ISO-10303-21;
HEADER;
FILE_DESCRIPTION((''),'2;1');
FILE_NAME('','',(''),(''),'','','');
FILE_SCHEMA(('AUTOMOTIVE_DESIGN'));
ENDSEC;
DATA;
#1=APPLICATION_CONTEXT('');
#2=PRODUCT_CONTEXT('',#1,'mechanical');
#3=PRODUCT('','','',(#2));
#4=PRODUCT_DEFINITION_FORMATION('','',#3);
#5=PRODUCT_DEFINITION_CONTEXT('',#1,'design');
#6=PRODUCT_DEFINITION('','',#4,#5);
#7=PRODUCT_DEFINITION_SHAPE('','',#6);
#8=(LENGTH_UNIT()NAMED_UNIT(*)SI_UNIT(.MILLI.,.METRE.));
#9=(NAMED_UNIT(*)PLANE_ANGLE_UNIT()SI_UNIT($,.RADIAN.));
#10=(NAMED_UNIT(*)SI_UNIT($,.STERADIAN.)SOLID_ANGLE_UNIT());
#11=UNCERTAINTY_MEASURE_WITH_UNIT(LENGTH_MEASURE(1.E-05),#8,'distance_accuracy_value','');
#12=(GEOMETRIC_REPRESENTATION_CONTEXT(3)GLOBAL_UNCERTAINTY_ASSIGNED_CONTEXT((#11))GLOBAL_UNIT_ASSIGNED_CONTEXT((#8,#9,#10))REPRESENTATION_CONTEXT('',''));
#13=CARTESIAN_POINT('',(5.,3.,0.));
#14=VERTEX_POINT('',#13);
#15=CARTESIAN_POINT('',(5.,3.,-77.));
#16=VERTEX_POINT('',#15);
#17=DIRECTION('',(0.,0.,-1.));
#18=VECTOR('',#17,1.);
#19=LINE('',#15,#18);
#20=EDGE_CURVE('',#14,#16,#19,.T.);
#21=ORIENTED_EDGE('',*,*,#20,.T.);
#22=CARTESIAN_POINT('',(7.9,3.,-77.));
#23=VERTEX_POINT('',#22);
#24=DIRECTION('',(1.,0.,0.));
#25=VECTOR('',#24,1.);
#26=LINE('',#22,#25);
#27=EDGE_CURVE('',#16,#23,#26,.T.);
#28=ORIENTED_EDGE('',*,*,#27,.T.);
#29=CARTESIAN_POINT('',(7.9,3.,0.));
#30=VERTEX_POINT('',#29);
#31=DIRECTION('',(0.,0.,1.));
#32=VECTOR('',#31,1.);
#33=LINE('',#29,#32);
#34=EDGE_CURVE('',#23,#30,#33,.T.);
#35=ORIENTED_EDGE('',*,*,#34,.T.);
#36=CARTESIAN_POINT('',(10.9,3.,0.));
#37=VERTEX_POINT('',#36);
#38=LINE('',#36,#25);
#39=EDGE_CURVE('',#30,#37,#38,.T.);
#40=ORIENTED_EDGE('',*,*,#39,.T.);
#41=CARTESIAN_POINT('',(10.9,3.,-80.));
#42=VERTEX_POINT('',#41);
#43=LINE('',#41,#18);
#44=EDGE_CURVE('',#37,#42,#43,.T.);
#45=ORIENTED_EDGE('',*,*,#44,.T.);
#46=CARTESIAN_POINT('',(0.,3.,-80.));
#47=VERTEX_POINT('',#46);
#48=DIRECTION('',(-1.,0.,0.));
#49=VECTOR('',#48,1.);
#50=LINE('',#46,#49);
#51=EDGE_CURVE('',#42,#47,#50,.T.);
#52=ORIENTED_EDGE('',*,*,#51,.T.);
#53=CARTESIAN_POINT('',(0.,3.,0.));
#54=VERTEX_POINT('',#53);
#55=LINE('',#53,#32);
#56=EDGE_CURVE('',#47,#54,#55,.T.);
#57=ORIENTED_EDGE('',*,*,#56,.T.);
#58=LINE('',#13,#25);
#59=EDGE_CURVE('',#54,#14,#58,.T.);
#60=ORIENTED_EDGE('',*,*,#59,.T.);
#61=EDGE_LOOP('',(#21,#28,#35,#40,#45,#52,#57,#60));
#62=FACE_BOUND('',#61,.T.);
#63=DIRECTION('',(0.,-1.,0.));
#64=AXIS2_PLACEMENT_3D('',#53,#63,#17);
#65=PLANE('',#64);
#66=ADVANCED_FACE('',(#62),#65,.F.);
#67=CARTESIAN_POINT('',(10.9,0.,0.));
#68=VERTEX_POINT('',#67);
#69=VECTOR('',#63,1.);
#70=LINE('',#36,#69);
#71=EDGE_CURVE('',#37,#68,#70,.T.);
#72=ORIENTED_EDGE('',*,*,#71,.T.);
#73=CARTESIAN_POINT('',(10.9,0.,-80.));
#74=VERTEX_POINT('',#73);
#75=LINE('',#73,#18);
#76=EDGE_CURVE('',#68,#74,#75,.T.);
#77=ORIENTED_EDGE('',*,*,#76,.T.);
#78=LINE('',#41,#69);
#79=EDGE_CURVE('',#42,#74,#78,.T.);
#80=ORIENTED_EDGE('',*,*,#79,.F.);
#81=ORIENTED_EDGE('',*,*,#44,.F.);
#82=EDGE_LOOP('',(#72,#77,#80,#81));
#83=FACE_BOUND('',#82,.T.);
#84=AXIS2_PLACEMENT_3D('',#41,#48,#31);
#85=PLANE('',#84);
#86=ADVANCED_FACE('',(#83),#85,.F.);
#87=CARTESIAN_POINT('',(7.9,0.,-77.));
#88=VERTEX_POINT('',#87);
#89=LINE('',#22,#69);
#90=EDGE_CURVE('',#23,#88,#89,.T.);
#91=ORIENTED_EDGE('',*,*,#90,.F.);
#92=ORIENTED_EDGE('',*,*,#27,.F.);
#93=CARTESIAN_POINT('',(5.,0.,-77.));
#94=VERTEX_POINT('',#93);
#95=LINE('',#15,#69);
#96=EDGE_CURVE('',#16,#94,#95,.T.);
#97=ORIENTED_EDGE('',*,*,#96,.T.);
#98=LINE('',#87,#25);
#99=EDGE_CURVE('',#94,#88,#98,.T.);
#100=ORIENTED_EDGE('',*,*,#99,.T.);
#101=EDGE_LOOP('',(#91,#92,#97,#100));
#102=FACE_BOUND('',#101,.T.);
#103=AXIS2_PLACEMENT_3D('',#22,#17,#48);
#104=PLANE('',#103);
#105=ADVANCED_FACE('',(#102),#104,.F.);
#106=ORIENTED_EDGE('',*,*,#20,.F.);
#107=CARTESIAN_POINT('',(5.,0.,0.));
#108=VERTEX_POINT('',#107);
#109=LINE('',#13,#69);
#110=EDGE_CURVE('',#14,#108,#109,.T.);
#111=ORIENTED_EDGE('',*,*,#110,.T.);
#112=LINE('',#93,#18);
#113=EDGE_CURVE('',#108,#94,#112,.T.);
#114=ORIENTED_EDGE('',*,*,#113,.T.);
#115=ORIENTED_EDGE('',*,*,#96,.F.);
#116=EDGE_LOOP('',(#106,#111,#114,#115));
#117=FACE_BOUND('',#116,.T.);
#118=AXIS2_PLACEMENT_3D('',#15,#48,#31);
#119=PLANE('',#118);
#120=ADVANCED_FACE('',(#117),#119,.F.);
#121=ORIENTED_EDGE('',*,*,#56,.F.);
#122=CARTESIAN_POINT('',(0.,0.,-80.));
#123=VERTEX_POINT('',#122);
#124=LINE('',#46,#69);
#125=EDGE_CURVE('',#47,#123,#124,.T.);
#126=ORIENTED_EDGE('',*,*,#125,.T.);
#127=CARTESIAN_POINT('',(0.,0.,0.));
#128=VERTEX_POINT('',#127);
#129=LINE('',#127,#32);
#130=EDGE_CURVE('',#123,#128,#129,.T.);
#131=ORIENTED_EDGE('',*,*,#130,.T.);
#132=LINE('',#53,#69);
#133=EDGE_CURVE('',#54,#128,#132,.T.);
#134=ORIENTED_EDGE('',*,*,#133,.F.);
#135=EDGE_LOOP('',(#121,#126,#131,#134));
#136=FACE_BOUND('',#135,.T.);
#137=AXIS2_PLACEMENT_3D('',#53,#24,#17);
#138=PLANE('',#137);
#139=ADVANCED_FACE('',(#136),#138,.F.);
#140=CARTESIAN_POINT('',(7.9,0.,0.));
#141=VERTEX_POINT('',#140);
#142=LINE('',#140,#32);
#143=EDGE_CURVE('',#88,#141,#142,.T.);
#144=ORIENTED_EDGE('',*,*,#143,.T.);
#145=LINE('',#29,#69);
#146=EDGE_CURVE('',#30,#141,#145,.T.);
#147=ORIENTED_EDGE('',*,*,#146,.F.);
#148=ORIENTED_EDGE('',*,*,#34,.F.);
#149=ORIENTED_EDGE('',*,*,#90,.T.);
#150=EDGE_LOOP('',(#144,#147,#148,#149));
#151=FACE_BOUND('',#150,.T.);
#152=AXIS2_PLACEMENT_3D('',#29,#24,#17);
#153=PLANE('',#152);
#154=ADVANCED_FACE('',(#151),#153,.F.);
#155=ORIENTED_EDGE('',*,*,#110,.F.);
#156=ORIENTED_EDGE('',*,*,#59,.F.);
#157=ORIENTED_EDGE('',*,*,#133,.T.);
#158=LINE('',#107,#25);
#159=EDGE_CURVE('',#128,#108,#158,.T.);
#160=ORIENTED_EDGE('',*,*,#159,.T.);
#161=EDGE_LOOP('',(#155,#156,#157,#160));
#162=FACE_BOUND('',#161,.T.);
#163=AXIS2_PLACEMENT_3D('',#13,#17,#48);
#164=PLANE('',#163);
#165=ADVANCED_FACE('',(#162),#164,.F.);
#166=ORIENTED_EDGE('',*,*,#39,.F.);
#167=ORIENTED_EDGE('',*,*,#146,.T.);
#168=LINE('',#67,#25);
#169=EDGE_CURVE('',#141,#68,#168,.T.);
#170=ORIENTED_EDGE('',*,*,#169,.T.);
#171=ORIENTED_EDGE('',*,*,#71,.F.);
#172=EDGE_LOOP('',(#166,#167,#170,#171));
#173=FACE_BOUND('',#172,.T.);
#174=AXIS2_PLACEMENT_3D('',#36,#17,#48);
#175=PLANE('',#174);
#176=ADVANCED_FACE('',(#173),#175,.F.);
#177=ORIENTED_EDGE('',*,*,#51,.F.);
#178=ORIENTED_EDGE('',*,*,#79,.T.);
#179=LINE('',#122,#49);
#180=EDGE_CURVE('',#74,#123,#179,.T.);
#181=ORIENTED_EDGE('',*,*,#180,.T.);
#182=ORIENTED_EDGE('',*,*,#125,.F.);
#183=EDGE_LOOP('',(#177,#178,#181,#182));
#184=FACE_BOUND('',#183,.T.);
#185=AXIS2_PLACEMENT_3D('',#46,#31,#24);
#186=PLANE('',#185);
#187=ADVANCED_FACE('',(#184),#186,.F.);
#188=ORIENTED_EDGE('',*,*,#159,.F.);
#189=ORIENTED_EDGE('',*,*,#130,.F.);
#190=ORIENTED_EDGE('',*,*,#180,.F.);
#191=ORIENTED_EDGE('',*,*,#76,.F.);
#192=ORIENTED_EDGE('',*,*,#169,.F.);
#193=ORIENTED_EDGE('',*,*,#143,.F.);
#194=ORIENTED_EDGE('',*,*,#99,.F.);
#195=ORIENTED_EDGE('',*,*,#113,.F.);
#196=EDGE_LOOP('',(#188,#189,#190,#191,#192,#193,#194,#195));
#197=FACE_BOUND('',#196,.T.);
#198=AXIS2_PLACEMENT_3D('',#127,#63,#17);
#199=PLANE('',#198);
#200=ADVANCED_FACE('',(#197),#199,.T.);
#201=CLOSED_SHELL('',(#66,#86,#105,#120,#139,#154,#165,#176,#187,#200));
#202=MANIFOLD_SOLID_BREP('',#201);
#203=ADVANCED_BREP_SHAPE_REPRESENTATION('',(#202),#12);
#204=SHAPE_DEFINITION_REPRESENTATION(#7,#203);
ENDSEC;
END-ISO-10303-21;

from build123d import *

# Parameters (mm, degrees)
EXTRUDE_1_DEPTH = 3


with BuildPart() as part:
    # 草图1 → 凸台-拉伸1 (new body)
    with BuildSketch(Plane(origin=(0, 0, 0), x_dir=(1, 0, 0), z_dir=(0, 1, 0))):
        Polygon((0, 0), (0, 80), (10.9, 80), (10.9, 0), (7.9, 0), (7.9, 77), (5, 77), (5, 0), align=None)
    extrude(amount=EXTRUDE_1_DEPTH)


solid = part.part
